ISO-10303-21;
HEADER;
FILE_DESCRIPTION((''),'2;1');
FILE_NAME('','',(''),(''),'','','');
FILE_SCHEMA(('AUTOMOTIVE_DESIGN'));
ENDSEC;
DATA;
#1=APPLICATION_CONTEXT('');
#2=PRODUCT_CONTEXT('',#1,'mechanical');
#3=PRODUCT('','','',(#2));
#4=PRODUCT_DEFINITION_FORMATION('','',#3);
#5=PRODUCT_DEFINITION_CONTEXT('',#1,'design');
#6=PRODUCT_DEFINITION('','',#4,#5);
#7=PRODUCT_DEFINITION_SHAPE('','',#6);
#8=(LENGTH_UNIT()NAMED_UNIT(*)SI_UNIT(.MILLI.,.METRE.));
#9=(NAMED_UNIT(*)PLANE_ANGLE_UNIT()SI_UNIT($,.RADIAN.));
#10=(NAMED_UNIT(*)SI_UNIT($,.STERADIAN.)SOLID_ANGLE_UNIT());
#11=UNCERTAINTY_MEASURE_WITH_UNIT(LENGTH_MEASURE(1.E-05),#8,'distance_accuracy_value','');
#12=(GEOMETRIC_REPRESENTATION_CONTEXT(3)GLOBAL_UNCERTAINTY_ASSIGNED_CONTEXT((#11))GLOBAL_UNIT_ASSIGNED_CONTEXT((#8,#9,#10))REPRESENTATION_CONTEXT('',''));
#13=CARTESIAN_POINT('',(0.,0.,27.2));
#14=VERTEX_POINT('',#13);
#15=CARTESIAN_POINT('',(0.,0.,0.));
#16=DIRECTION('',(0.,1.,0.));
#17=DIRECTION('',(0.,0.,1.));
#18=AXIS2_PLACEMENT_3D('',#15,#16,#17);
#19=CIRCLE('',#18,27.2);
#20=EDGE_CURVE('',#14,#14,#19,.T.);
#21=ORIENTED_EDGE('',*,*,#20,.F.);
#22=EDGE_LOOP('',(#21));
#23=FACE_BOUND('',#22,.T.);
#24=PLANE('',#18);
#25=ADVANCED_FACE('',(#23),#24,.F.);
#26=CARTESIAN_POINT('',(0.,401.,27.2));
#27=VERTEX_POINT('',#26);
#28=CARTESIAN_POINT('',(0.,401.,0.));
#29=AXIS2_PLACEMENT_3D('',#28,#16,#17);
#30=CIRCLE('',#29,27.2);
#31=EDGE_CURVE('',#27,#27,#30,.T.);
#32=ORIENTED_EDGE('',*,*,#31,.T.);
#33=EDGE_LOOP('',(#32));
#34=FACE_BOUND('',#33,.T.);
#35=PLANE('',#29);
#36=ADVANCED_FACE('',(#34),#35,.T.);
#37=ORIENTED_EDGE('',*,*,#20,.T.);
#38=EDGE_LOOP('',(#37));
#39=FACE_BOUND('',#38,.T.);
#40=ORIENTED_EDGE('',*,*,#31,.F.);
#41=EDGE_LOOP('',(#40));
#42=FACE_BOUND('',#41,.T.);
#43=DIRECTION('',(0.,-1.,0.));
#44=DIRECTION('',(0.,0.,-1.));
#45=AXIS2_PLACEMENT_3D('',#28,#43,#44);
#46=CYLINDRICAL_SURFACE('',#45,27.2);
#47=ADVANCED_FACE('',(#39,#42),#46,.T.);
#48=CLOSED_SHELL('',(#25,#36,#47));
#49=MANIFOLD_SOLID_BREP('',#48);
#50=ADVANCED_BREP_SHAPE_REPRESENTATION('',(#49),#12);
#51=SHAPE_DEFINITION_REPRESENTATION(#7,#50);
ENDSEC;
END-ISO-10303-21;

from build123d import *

# Parameters (mm, degrees)
SKETCH1_R           = 27.199999956
BOSS_EXTRUDE1_DEPTH = 400.999999878


with BuildPart() as part:
    # Sketch1 → Boss-Extrude1 (new body)
    with BuildSketch(Plane(origin=(0, 0, 0), x_dir=(1, 0, 0), z_dir=(0, 1, 0))):
        Circle(SKETCH1_R)
    extrude(amount=BOSS_EXTRUDE1_DEPTH)


solid = part.part
